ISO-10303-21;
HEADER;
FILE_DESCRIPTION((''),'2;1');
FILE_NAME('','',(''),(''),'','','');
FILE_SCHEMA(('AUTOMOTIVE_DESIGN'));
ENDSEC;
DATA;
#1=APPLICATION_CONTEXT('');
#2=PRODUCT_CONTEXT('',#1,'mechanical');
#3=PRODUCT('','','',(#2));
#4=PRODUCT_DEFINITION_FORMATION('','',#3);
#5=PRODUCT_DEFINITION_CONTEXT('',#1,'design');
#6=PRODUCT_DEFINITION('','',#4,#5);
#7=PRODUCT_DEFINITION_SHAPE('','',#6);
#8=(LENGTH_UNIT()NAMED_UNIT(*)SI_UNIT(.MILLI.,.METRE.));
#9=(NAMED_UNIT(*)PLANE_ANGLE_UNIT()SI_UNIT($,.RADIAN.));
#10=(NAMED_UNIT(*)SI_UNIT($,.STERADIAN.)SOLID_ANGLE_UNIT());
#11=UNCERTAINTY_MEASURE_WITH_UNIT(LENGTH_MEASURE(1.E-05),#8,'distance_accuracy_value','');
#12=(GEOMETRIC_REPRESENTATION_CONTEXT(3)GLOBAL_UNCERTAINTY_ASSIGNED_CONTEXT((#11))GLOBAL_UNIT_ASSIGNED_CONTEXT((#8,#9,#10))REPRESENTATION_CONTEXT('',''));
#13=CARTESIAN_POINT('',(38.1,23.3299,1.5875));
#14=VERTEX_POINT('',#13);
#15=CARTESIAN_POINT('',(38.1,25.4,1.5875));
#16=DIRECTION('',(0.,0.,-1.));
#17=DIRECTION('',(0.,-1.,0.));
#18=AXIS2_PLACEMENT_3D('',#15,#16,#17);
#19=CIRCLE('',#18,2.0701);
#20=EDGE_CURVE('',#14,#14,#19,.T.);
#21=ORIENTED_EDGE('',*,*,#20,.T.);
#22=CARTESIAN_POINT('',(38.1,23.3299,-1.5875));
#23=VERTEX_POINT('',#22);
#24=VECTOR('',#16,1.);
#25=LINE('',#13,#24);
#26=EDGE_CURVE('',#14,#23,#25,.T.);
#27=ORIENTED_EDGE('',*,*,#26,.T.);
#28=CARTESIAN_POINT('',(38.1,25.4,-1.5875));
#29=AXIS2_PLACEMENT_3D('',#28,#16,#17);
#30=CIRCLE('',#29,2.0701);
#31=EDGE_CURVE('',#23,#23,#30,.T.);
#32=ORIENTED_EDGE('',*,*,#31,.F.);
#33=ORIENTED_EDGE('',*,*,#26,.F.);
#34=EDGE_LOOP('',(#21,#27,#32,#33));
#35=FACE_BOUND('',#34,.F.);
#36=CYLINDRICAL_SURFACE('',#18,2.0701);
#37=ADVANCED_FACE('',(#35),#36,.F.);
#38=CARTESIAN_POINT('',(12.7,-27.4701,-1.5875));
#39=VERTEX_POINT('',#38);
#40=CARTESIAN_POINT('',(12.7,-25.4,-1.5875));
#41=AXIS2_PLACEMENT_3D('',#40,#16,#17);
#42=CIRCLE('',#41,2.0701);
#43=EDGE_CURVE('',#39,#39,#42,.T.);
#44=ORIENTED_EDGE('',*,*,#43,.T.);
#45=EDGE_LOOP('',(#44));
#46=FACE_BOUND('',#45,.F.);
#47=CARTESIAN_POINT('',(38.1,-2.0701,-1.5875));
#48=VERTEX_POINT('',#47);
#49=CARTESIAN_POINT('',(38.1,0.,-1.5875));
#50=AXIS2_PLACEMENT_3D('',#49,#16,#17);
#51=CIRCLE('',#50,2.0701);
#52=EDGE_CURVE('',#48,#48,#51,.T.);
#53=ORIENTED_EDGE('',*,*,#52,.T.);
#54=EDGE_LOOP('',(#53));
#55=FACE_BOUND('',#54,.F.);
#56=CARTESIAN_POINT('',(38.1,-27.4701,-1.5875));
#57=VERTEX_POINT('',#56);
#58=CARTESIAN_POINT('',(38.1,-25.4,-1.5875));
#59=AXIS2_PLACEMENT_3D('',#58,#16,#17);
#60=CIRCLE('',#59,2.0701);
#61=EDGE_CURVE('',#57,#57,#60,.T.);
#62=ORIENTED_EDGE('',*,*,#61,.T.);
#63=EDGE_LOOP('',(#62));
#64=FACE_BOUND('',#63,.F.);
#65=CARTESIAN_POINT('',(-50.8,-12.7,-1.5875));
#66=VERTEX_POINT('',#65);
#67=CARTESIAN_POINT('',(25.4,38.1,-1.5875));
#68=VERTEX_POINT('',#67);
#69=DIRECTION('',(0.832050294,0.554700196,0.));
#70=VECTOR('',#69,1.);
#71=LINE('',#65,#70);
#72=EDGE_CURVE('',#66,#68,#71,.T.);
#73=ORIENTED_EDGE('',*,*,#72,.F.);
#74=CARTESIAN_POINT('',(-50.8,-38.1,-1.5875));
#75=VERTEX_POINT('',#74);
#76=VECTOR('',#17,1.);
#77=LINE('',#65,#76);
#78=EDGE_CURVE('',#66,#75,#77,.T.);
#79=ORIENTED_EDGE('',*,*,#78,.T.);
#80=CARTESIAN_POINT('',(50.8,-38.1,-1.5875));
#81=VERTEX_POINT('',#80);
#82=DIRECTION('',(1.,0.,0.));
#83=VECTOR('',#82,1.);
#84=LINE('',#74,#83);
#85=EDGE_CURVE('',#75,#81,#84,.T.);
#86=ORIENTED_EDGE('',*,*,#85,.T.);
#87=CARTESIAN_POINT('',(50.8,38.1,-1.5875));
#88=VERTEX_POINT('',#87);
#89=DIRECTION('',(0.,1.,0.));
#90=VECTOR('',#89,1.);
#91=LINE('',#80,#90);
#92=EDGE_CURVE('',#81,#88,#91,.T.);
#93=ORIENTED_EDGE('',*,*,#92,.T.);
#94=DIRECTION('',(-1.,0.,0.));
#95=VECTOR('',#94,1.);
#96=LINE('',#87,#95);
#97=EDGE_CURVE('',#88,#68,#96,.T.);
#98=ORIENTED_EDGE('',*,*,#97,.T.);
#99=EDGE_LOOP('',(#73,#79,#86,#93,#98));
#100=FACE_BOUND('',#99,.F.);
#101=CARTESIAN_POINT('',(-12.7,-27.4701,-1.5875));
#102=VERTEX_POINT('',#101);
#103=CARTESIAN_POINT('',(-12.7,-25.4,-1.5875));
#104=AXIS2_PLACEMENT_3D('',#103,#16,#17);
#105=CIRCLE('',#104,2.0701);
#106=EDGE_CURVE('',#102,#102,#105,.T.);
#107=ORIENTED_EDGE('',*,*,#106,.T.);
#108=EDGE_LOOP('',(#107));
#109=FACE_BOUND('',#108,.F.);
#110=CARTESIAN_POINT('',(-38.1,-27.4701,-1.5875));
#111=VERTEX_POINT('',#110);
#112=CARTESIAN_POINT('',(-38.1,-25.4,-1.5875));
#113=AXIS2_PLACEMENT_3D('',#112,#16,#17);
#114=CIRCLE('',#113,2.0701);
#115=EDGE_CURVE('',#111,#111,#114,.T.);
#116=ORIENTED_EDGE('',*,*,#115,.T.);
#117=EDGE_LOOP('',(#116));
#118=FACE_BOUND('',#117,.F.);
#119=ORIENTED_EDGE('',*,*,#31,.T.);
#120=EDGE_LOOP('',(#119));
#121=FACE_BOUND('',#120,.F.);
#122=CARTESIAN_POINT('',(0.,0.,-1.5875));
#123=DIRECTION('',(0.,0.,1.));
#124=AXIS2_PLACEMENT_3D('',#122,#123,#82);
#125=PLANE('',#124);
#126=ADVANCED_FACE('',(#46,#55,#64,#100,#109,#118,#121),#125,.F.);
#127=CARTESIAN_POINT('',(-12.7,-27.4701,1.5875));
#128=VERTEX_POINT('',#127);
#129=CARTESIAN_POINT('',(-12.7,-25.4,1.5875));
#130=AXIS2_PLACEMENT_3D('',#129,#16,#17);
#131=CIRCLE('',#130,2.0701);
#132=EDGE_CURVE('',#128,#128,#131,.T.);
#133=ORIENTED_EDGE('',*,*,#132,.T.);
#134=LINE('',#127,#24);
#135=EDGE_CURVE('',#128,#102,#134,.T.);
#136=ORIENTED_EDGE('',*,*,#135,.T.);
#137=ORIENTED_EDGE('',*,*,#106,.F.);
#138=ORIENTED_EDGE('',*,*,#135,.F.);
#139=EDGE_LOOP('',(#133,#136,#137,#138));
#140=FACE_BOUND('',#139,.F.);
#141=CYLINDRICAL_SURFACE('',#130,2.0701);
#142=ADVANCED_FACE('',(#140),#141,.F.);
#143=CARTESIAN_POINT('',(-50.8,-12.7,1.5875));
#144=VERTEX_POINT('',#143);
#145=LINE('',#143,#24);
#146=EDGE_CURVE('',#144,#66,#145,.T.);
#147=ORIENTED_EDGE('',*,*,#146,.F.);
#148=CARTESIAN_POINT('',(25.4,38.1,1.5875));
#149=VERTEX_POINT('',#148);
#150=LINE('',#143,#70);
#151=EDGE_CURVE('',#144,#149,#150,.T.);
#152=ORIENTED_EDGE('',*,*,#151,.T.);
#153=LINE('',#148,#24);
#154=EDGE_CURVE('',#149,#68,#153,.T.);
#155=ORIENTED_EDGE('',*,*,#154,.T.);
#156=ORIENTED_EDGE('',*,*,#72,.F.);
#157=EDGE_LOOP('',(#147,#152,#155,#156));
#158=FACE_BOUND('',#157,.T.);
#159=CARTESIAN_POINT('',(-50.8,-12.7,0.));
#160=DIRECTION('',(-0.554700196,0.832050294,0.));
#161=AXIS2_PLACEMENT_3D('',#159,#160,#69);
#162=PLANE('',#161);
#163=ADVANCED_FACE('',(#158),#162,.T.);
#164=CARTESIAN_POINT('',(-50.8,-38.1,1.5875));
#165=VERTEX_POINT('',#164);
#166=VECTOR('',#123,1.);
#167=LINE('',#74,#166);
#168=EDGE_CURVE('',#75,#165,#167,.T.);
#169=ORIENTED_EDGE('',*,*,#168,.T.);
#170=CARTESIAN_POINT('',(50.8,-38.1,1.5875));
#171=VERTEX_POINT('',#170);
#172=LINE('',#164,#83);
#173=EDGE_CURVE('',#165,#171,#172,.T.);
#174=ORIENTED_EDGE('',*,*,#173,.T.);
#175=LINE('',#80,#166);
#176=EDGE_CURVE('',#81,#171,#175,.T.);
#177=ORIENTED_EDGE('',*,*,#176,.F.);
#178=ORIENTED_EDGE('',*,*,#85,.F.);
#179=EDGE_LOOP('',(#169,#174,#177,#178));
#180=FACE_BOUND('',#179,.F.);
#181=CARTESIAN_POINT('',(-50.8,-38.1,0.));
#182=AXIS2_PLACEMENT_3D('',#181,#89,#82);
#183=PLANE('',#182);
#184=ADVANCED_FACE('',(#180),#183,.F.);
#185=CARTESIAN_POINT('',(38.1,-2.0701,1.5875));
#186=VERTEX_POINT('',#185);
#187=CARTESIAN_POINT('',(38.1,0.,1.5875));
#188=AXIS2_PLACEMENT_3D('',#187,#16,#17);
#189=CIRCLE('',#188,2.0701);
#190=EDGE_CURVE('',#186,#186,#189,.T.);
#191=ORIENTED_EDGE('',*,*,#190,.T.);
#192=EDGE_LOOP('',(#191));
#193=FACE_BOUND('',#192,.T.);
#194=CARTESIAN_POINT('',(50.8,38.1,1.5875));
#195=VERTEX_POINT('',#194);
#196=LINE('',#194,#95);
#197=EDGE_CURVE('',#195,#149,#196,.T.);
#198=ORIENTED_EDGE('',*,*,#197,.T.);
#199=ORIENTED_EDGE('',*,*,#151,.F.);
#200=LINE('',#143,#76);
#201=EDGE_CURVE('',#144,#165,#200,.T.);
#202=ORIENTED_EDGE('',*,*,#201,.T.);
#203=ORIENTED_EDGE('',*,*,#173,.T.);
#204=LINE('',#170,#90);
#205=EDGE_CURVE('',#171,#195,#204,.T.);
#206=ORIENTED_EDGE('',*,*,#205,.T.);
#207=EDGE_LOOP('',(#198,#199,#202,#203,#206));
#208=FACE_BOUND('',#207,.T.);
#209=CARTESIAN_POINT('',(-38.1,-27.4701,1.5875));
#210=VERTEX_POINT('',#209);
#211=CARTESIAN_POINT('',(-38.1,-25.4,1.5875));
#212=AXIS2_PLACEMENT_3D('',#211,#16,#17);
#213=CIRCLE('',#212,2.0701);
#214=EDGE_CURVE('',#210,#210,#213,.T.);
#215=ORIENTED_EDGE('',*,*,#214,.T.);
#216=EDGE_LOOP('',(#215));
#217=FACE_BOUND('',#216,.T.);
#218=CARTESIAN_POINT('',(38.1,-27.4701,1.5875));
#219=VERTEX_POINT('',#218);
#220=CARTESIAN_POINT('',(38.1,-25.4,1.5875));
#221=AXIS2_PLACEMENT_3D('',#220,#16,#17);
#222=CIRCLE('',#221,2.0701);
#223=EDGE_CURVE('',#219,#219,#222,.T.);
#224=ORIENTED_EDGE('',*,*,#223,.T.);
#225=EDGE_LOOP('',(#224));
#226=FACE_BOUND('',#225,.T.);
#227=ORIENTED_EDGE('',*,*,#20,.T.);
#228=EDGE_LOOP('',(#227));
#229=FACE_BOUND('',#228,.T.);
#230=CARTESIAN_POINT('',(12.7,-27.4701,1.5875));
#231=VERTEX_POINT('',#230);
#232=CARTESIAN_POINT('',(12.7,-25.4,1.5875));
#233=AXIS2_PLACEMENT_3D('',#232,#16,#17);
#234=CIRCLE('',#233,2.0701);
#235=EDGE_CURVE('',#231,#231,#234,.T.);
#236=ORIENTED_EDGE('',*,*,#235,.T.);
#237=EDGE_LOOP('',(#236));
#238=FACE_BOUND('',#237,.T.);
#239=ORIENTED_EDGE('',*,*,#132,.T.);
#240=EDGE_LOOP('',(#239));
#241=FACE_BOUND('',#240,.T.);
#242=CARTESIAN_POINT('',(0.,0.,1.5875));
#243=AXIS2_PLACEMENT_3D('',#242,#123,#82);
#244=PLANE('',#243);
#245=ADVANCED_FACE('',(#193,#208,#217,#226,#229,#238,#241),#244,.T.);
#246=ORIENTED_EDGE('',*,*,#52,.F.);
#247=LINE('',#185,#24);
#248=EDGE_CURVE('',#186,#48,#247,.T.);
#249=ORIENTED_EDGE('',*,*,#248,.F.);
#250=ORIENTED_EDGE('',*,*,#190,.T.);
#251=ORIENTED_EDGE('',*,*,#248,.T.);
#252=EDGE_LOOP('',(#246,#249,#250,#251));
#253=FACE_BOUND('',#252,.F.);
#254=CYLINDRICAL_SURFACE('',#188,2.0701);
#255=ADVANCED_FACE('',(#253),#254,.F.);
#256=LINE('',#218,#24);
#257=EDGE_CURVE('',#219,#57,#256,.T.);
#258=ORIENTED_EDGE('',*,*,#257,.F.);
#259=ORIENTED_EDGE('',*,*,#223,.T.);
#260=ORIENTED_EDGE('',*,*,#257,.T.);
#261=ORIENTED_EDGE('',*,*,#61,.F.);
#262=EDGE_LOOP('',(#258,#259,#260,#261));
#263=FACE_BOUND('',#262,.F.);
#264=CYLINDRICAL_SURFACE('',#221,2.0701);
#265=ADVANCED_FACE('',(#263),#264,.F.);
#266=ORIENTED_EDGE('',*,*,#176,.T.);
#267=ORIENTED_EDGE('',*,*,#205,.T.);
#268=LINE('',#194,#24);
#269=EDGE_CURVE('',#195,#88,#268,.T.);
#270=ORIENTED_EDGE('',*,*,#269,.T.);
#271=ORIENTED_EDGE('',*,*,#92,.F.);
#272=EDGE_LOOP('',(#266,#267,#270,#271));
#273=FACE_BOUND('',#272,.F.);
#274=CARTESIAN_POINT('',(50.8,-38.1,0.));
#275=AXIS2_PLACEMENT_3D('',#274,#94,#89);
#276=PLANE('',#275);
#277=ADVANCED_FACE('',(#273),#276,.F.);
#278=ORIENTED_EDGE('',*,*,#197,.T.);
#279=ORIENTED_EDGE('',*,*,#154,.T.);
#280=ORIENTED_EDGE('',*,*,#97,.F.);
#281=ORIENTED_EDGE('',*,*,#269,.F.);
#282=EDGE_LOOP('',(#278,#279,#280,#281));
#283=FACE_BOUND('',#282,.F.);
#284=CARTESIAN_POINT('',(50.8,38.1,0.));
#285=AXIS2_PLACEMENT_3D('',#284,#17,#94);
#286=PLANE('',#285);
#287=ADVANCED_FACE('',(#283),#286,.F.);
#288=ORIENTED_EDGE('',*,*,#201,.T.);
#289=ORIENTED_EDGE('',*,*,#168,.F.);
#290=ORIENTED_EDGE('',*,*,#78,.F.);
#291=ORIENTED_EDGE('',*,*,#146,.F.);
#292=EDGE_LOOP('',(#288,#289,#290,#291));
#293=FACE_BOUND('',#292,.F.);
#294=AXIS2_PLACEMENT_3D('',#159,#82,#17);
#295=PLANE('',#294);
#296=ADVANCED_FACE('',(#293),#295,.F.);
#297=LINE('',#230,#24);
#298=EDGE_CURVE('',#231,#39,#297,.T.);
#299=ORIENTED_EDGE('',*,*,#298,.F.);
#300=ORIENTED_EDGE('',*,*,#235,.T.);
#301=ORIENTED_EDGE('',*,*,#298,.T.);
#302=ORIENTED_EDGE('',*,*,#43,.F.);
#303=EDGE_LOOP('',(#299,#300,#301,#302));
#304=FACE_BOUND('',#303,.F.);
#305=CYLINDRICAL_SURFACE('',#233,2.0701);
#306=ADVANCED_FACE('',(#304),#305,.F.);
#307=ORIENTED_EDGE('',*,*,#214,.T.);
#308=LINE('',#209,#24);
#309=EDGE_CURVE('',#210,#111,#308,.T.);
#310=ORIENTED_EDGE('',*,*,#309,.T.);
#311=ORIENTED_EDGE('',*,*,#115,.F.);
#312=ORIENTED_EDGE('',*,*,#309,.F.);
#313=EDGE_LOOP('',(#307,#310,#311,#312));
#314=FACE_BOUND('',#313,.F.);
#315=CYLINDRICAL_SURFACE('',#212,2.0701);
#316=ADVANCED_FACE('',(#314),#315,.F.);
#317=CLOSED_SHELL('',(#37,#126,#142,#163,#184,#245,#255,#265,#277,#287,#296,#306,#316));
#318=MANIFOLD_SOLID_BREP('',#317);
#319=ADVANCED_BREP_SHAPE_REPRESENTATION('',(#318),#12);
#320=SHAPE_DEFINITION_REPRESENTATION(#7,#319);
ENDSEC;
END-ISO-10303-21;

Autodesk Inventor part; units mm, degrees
ref_plane "YZ Plane" through (0, 0, 0) normal (1, 0, 0) x (0, 1, 0)
ref_plane "XZ Plane" through (0, 0, 0) normal (0, 1, 0) x (-1, 0, 0)
ref_plane "XY Plane" through (0, 0, 0) normal (0, 0, 1) x (1, 0, 0)
sketch "Sketch1" plane through (0, 0, 0) normal (0, 0, 1) x (1, 0, 0)
  line L0 (-50.8, -38.1) -> (50.8, -38.1)
  line L1 (50.8, -38.1) -> (50.8, 38.1)
  line L2 (50.8, 38.1) -> (25.4, 38.1)
  line L3 (-50.8, 38.1) -> (-50.8, -12.7) construction
  line L4 (-50.8, -38.1) -> (50.8, 38.1) construction
  line L5 (50.8, -38.1) -> (-50.8, 38.1) construction
  line L6 (-50.8, -12.7) -> (25.4, 38.1)
  line L7 (25.4, 38.1) -> (-50.8, 38.1) construction
  line L8 (-50.8, -12.7) -> (-50.8, -38.1)
  point P0 (0, 0)
  dimension "d0" = 101.6
  dimension "d1" = 76.2
  dimension "d2" = 25.4
  dimension "d3" = 25.4
extrude "Extrusion1" add sketch "Sketch1" along normal mid plane 3.175
sketch "Sketch2" plane through (0, 0, 1.5875) normal (0, 0, 1) x (1, 0, 0)
  line L0 (50.8, -38.1) -> (50.8, 38.1) projected
  line L1 (50.8, 38.1) -> (25.4, 38.1) projected
  point P0 (0, 0)
  point P1 (38.1, 25.4)
  point P2 (38.1, 0)
  point P3 (38.1, -25.4)
  point P4 (12.7, -25.4)
  point P5 (-12.7, -25.4)
  point P6 (-38.1, -25.4)
  dimension "d6" = 25.4
  dimension "d7" = 25.4
  dimension "d8" = 25.4
  dimension "d9" = 12.7
  dimension "d10" = 25.4
  dimension "d11" = 25.4
  dimension "d12" = 12.7
hole "Hole1" at (38.1, 25.4, 1.5875) at (38.1, 0, 1.5875) at (38.1, -25.4, 1.5875) at (12.7, -25.4, 1.5875) at (-12.7, -25.4, 1.5875) at (-38.1, -25.4, 1.5875) direction (0, 0, -1) diameter 4.1402 end through all
properties part number "Drivetrain_gussets"
